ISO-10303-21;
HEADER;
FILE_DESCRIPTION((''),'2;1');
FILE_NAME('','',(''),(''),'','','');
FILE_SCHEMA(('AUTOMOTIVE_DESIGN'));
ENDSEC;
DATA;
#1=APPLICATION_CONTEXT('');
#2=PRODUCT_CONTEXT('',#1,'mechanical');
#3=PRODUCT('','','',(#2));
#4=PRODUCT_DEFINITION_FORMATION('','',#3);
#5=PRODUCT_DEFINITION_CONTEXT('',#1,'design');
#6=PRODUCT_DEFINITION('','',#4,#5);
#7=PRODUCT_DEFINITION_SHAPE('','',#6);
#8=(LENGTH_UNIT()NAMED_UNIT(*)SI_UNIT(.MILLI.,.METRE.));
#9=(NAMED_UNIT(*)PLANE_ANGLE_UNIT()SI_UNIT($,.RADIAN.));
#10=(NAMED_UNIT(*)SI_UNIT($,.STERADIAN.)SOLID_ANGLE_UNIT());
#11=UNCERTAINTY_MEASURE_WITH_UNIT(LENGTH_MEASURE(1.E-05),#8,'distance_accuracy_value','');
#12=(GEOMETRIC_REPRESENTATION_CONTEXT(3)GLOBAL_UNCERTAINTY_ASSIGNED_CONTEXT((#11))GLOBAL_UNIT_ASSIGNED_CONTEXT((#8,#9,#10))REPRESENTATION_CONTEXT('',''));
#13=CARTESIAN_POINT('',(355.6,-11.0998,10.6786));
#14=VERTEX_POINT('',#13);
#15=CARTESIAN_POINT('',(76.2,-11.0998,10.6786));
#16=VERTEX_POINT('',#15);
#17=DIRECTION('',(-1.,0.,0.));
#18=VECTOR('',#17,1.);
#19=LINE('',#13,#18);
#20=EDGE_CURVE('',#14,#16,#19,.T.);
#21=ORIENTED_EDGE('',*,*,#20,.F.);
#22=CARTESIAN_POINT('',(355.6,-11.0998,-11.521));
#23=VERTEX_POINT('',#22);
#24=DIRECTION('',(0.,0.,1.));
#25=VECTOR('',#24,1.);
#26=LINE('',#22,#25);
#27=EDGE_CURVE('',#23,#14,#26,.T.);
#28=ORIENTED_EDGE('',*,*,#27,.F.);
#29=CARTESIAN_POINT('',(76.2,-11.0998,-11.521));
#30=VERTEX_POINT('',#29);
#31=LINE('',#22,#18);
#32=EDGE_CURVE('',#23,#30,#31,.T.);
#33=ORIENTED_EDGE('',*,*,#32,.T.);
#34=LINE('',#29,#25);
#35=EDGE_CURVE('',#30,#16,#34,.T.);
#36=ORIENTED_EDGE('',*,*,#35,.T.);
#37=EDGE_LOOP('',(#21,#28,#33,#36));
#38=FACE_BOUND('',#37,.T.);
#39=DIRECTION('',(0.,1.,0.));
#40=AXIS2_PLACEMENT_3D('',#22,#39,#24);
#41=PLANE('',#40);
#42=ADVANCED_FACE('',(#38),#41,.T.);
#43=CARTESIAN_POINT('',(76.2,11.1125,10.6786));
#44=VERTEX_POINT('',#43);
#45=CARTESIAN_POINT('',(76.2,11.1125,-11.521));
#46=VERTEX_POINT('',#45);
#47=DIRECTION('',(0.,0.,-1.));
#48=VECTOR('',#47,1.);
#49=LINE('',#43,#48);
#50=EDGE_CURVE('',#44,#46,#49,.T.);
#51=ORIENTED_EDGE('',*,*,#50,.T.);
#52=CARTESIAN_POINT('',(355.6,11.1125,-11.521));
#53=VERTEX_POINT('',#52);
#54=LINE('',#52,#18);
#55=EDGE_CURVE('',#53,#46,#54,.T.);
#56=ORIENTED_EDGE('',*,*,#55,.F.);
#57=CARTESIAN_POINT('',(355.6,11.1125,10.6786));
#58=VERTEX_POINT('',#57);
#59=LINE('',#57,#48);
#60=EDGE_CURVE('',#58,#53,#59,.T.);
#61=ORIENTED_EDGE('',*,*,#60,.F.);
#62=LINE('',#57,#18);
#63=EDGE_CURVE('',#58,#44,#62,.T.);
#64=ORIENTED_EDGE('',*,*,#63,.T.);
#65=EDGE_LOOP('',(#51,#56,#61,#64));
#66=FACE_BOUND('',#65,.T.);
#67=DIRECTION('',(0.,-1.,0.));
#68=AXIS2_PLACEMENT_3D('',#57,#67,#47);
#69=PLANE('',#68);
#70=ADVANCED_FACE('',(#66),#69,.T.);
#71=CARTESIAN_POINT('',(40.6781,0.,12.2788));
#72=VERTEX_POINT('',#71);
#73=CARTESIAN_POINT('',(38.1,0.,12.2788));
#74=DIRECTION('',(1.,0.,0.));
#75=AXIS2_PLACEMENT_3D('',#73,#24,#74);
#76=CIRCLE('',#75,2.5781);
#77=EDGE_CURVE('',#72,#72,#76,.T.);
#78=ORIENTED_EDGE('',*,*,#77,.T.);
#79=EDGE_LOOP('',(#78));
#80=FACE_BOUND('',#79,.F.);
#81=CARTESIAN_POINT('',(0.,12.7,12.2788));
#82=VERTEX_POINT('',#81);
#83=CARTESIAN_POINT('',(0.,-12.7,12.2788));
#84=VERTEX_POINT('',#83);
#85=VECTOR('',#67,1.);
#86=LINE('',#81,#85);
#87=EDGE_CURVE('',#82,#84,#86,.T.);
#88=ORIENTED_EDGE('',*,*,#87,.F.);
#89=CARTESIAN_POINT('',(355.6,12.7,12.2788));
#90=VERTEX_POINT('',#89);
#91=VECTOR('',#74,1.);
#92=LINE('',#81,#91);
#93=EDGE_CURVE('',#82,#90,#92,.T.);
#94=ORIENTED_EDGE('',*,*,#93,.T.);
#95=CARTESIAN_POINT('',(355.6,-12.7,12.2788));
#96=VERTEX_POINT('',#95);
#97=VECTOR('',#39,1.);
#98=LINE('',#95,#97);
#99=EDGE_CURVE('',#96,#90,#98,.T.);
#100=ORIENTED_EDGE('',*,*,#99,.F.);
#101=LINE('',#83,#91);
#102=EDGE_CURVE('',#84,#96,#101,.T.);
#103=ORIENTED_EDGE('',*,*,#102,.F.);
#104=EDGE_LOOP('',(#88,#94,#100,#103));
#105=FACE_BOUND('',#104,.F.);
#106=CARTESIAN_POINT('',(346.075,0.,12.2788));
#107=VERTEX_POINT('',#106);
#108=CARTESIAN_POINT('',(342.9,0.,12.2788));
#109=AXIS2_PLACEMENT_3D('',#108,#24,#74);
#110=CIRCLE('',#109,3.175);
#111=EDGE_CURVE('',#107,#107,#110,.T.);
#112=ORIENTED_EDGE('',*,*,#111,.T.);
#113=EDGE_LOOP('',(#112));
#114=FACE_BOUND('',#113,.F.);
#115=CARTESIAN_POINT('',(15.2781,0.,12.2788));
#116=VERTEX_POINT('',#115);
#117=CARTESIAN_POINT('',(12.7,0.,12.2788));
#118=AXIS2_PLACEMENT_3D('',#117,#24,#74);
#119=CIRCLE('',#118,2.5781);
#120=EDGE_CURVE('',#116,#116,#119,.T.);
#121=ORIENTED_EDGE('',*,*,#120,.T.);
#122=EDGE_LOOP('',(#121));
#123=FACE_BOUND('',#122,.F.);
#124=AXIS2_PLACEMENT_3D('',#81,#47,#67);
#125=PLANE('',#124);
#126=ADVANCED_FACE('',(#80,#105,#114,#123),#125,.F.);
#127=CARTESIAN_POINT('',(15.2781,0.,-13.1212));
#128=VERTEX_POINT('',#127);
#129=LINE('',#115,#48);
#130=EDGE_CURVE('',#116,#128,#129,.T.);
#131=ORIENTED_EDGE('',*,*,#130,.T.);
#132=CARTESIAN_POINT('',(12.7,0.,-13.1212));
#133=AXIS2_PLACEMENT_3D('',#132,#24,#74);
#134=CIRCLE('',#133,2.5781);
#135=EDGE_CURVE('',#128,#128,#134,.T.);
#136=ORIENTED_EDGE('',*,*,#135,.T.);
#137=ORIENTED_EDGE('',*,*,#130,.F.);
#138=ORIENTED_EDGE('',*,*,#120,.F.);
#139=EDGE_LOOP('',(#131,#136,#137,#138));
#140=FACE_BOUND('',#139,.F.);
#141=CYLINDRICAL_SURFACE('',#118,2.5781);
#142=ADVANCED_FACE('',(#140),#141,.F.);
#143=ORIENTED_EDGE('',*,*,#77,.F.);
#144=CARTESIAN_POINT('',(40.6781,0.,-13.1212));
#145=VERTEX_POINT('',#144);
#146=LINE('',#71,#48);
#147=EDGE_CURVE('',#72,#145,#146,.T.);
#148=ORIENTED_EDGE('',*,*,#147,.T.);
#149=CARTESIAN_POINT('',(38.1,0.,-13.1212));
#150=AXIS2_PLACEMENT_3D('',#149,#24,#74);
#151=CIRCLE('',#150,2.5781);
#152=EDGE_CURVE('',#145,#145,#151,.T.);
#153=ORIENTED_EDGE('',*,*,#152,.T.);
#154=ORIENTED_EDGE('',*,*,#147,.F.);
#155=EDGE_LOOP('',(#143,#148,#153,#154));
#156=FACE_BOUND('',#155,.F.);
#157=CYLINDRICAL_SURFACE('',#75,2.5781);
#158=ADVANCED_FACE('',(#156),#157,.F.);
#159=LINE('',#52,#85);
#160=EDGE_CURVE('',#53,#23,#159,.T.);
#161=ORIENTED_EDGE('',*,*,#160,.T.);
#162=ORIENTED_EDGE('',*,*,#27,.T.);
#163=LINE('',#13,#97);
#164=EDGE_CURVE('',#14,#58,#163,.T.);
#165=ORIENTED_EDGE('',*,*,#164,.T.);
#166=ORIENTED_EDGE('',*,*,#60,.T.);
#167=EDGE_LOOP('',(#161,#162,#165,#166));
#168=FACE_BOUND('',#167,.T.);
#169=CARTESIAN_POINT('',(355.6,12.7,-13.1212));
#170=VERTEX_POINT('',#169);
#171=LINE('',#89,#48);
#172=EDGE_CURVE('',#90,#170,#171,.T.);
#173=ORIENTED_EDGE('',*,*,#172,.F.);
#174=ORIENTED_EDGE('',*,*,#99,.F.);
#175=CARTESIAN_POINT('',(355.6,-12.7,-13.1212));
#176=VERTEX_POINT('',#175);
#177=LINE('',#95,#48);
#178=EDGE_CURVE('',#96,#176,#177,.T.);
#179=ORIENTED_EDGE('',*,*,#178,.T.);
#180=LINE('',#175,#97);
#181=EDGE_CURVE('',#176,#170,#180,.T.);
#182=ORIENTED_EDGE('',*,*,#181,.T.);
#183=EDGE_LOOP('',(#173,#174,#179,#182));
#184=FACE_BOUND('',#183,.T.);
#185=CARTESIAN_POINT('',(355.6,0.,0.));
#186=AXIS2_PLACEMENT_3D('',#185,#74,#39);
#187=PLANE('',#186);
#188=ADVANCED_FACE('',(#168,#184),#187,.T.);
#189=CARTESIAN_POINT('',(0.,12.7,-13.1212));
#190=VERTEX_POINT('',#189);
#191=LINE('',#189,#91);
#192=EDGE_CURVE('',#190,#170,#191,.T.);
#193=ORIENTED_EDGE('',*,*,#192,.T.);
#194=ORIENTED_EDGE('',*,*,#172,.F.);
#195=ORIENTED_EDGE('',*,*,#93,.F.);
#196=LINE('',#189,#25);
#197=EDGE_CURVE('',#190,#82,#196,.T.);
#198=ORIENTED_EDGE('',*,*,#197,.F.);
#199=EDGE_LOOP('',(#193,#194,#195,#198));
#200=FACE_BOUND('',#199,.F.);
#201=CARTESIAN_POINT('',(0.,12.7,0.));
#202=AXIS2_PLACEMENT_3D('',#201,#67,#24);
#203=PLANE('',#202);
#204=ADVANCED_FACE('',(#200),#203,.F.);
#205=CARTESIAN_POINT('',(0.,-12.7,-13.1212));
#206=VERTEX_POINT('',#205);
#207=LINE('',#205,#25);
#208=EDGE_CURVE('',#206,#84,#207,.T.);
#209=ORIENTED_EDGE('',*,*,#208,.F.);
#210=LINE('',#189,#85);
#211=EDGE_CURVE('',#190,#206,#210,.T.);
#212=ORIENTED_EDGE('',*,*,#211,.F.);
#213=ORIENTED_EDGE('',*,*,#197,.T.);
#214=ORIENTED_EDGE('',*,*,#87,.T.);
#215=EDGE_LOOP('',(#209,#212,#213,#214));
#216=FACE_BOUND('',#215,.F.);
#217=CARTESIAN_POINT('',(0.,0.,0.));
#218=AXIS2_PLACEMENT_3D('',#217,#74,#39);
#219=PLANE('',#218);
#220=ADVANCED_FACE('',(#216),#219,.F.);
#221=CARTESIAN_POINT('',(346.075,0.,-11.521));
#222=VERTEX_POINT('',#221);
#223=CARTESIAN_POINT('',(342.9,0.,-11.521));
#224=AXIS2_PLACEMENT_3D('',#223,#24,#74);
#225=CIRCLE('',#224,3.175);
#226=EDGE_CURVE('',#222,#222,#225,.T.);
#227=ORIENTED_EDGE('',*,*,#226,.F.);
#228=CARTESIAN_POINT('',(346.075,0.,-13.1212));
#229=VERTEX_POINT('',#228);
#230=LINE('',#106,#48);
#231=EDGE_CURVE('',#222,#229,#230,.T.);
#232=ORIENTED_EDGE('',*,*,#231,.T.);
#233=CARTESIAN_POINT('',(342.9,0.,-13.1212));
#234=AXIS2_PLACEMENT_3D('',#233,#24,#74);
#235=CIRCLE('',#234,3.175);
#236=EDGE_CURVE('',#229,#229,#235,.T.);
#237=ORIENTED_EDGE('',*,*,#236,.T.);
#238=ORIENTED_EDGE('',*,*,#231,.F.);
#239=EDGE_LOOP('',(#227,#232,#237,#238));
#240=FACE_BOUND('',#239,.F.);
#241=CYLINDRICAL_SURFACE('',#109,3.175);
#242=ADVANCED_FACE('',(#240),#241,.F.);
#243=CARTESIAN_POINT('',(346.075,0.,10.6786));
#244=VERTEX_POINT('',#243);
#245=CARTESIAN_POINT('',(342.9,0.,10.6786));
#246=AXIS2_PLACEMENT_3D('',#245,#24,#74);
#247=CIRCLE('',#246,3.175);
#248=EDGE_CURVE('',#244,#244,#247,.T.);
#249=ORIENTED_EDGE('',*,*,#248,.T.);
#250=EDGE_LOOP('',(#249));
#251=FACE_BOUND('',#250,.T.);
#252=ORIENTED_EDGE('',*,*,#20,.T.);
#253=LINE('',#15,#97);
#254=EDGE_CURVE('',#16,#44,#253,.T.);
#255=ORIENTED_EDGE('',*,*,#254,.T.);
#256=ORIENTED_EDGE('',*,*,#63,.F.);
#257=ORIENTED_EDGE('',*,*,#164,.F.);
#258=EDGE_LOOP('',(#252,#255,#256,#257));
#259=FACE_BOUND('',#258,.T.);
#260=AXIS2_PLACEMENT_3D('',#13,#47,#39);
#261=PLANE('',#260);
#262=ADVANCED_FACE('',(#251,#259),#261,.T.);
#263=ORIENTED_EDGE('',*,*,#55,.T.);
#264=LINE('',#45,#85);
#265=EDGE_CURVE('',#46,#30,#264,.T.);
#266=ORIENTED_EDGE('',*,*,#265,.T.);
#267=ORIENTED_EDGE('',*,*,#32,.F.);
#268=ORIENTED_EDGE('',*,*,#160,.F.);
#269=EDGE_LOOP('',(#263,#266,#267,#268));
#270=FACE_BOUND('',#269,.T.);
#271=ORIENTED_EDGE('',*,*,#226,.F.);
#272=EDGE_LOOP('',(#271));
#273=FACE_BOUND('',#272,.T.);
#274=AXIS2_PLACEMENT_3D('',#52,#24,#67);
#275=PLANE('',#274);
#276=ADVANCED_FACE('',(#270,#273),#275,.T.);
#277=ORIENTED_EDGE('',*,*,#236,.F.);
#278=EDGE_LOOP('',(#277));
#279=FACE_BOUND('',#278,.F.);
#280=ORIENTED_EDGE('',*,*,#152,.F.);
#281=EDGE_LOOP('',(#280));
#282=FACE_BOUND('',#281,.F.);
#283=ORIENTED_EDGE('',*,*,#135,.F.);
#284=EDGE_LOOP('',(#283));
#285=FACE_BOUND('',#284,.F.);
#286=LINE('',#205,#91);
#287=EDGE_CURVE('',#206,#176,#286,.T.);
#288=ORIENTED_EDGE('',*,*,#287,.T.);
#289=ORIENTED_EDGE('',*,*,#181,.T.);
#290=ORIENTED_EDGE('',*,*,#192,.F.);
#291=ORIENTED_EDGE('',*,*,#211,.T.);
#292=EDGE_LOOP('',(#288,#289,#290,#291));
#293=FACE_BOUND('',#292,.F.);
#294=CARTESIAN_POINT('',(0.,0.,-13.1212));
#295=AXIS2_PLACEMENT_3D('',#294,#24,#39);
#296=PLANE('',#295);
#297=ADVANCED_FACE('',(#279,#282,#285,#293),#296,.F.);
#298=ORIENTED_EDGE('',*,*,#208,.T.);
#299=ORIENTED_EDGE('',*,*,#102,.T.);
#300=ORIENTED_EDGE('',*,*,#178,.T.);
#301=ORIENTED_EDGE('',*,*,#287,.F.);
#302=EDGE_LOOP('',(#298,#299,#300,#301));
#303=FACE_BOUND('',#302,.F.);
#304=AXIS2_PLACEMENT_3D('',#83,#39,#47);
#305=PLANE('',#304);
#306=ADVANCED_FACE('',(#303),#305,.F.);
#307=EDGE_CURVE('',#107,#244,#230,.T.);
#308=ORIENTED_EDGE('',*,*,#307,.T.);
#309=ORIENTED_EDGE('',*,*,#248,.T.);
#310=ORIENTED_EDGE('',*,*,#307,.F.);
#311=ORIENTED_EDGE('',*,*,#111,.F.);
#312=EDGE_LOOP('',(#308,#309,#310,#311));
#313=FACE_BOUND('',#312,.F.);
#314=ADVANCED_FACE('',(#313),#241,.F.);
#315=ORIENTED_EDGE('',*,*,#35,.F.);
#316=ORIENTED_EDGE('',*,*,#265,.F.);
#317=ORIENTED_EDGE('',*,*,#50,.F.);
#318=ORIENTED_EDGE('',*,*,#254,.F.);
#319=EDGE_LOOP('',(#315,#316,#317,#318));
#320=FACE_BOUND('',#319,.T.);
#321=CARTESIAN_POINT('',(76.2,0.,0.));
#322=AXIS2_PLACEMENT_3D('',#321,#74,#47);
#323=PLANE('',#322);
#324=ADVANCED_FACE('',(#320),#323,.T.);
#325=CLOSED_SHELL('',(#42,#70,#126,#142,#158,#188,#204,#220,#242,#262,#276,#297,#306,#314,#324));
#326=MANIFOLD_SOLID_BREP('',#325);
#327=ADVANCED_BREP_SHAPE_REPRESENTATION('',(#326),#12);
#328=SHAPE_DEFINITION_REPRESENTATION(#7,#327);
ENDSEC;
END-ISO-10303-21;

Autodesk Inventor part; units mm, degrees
ref_plane "YZ Plane" through (0, 0, 0) normal (1, 0, 0) x (0, 1, 0)
ref_plane "XZ Plane" through (0, 0, 0) normal (0, 1, 0) x (-1, 0, 0)
ref_plane "XY Plane" through (0, 0, 0) normal (0, 0, 1) x (1, 0, 0)
sketch "Sketch1" plane through (0, 0, 0) normal (1, 0, 0) x (0, 1, 0)
  line L0 (12.7, 12.2788) -> (-12.7, 12.2788)
  line L1 (-12.7, 12.2788) -> (-12.7, -13.1212)
  line L2 (-12.7, -13.1212) -> (12.7, -13.1212)
  line L3 (12.7, -13.1212) -> (12.7, 12.2788)
  line L4 (0, 32.4321) -> (0, -31.5519)
  line L5 (24.3369, 0) -> (-19.9975, 0)
  point P0 (0, 0)
  dimension "d0" = 25.4
extrude "Extrusion1" add sketch "Sketch1" along normal blind 355.6
sketch "Sketch3" plane through (355.6, 0, 0) normal (1, 0, 0) x (0, 0, -1)
  line L0 (-10.6786, 11.1125) -> (11.521, 11.1125)
  line L1 (11.521, 11.1125) -> (11.521, -11.0998)
  line L2 (11.521, -11.0998) -> (-10.6786, -11.0998)
  line L3 (-10.6786, -11.0998) -> (-10.6786, 11.1125)
  line L4 (13.1212, 12.7) -> (-12.2788, 12.7) projected
  line L5 (-12.2788, 12.7) -> (-12.2788, -12.7) projected
  line L6 (13.1212, -12.7) -> (13.1212, 12.7) projected
  line L7 (-12.2788, -12.7) -> (13.1212, -12.7) projected
  point P0 (0, 0)
  dimension "d5" = 1.5875
  dimension "d6" = 1.6002
  dimension "d7" = 1.6002
  dimension "d8" = 1.6002
extrude "Extrusion2" cut sketch "Sketch3" against normal blind 279.4 contours L0 L1 L2 L3
sketch "Sketch4" plane through (0, -12.7, 12.2788) normal (0, 0, 1) x (1, 0, 0)
  circle A0 centre (342.9, 12.7) radius 3.175
  line L0 (355.6, 25.4) -> (355.6, 0) projected
  circle A1 centre (12.7, 12.7) radius 2.5781
  circle A2 centre (38.1, 12.7) radius 2.5781
  line L1 (0, 25.4) -> (355.6, 25.4) projected
  line L2 (0, 25.4) -> (0, 0) projected
  point P0 (0, 12.7)
  dimension "d11" = 6.35
  dimension "d12" = 12.7
  dimension "d15" = 5.1562
  dimension "d16" = 5.1562
  dimension "d17" = 25.4
  dimension "d18" = 12.7
  dimension "d19" = 12.7
  dimension "d20" = 12.7
extrude "Extrusion3" cut sketch "Sketch4" against normal blind 25.4
sketch "Sketch5" plane through (0, -12.7, 12.2788) normal (0, 0, 1) x (1, 0, 0)
  point P0 (0, 12.7)
equation "\"d19\" = d18"
properties part number "Part1-17-13.31255in" material "Aluminum 6061"
